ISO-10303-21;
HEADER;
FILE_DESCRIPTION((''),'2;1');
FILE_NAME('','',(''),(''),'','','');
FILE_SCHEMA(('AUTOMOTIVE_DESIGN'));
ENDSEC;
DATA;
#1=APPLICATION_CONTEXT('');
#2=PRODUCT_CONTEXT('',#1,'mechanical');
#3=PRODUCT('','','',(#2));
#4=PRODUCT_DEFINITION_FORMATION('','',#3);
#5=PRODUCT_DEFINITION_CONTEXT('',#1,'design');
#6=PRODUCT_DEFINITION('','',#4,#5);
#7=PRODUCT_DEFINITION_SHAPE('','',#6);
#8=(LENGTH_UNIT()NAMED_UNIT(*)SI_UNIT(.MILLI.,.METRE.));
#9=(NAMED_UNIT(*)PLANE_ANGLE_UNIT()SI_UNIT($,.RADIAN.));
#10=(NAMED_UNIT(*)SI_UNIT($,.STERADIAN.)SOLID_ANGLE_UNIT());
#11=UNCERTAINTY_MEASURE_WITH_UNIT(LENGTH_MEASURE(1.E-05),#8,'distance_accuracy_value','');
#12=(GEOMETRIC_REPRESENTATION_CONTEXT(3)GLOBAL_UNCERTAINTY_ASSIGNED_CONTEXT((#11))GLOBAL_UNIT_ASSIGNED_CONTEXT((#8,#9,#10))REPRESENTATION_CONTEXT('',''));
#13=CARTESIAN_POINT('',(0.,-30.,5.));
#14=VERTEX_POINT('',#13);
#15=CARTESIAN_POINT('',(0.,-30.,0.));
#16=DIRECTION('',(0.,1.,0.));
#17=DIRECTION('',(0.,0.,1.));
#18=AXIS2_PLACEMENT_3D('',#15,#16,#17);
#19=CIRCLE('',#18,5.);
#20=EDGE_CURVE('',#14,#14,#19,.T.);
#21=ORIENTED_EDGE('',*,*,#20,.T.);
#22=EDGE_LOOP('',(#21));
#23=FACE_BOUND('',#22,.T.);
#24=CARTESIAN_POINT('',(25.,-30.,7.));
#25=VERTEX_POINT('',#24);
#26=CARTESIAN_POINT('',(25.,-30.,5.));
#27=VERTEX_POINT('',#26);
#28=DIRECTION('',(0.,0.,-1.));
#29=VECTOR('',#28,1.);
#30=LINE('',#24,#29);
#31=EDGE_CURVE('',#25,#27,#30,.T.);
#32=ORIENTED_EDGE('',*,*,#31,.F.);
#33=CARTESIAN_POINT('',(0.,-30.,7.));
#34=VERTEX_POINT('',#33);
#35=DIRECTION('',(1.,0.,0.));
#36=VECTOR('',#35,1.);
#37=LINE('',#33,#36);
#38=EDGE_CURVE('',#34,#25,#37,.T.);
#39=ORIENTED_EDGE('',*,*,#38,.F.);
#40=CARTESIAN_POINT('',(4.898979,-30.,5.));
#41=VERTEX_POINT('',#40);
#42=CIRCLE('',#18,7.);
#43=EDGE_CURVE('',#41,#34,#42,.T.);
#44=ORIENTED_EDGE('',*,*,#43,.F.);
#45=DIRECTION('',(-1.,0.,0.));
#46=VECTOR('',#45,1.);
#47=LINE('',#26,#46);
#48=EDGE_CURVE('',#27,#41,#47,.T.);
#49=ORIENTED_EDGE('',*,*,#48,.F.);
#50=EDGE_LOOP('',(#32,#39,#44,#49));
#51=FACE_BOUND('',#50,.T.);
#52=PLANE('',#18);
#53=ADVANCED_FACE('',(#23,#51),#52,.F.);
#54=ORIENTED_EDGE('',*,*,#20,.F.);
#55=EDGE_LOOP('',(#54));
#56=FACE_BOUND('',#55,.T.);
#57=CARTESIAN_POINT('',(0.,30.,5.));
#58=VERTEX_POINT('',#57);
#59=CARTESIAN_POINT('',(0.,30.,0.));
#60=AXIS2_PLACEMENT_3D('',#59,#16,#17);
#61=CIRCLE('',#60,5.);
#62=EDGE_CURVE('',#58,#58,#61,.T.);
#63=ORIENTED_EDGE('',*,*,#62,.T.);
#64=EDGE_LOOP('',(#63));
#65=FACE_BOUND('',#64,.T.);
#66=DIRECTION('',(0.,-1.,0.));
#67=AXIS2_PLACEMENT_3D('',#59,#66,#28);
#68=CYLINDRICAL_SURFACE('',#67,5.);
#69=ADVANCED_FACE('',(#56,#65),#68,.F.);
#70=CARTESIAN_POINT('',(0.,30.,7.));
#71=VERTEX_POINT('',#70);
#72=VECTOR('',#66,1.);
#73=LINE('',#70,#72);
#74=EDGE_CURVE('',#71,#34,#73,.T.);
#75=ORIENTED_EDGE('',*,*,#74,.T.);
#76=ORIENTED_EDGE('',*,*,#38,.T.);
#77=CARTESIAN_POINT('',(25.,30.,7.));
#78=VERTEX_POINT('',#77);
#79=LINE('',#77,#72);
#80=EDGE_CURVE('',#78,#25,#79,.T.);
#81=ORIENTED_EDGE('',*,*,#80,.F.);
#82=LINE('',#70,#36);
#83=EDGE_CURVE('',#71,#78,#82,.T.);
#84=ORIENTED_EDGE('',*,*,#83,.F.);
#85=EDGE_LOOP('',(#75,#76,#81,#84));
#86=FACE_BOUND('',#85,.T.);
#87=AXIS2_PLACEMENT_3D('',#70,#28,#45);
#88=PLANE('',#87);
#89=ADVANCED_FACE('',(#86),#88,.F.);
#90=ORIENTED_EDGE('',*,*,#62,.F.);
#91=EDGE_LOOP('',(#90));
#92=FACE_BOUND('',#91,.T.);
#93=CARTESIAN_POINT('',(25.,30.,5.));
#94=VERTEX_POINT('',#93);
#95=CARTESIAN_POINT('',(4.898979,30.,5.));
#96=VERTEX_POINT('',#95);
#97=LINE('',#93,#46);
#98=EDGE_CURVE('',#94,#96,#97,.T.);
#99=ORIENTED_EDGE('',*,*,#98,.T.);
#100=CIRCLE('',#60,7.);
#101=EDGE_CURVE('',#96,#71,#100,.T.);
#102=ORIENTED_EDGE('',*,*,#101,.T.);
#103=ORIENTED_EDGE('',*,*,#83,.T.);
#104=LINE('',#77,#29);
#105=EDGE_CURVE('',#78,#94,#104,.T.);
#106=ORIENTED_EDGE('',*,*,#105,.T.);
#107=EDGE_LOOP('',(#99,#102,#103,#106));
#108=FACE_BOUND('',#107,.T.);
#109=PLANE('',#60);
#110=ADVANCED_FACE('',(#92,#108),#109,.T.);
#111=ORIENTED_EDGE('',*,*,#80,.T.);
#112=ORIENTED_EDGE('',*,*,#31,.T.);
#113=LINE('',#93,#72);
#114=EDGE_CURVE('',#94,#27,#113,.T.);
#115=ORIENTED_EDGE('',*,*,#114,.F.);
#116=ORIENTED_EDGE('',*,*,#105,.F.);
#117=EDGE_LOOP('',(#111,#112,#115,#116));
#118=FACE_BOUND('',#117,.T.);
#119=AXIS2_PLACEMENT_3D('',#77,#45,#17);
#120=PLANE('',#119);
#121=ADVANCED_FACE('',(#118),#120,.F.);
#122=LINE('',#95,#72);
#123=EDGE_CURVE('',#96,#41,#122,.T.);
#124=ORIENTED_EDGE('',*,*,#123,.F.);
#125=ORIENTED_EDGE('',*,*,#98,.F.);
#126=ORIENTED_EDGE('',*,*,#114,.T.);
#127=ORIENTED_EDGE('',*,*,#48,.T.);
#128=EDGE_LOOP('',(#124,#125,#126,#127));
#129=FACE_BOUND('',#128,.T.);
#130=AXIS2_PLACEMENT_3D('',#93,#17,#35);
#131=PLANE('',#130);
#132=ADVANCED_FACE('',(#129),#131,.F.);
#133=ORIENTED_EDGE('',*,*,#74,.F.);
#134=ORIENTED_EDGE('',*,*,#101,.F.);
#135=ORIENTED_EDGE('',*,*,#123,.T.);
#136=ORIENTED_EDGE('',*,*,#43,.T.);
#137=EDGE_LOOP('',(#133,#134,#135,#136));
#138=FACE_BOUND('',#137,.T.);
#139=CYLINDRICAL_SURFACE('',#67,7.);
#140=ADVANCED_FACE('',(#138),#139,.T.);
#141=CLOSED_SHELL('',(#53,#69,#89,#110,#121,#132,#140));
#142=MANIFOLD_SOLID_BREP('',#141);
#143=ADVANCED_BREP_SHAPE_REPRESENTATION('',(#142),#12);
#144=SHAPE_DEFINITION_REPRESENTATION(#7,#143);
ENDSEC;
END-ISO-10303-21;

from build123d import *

# Parameters (mm, degrees)
SKETCH1_R           = 5
BOSS_EXTRUDE1_DEPTH = 30


with BuildPart() as part:
    # Sketch1 → Boss-Extrude1 (new, symmetric)
    with BuildSketch(Plane(origin=(0, 0, 0), x_dir=(1, 0, 0), z_dir=(0, 1, 0))):
        with BuildLine():
            Line((0, -7), (25, -7))
            Line((25, -7), (25, -5))
            Line((25, -5), (4.898979486, -5))
            ThreePointArc((4.898979486, -5), (-2.645751311, 6.480740698), (0, -7))
        make_face()
        with Locations(Location((0, 0, 0), (0, 0, 270))):
            Circle(SKETCH1_R, mode=Mode.SUBTRACT)
    extrude(amount=BOSS_EXTRUDE1_DEPTH, both=True)


solid = part.part
